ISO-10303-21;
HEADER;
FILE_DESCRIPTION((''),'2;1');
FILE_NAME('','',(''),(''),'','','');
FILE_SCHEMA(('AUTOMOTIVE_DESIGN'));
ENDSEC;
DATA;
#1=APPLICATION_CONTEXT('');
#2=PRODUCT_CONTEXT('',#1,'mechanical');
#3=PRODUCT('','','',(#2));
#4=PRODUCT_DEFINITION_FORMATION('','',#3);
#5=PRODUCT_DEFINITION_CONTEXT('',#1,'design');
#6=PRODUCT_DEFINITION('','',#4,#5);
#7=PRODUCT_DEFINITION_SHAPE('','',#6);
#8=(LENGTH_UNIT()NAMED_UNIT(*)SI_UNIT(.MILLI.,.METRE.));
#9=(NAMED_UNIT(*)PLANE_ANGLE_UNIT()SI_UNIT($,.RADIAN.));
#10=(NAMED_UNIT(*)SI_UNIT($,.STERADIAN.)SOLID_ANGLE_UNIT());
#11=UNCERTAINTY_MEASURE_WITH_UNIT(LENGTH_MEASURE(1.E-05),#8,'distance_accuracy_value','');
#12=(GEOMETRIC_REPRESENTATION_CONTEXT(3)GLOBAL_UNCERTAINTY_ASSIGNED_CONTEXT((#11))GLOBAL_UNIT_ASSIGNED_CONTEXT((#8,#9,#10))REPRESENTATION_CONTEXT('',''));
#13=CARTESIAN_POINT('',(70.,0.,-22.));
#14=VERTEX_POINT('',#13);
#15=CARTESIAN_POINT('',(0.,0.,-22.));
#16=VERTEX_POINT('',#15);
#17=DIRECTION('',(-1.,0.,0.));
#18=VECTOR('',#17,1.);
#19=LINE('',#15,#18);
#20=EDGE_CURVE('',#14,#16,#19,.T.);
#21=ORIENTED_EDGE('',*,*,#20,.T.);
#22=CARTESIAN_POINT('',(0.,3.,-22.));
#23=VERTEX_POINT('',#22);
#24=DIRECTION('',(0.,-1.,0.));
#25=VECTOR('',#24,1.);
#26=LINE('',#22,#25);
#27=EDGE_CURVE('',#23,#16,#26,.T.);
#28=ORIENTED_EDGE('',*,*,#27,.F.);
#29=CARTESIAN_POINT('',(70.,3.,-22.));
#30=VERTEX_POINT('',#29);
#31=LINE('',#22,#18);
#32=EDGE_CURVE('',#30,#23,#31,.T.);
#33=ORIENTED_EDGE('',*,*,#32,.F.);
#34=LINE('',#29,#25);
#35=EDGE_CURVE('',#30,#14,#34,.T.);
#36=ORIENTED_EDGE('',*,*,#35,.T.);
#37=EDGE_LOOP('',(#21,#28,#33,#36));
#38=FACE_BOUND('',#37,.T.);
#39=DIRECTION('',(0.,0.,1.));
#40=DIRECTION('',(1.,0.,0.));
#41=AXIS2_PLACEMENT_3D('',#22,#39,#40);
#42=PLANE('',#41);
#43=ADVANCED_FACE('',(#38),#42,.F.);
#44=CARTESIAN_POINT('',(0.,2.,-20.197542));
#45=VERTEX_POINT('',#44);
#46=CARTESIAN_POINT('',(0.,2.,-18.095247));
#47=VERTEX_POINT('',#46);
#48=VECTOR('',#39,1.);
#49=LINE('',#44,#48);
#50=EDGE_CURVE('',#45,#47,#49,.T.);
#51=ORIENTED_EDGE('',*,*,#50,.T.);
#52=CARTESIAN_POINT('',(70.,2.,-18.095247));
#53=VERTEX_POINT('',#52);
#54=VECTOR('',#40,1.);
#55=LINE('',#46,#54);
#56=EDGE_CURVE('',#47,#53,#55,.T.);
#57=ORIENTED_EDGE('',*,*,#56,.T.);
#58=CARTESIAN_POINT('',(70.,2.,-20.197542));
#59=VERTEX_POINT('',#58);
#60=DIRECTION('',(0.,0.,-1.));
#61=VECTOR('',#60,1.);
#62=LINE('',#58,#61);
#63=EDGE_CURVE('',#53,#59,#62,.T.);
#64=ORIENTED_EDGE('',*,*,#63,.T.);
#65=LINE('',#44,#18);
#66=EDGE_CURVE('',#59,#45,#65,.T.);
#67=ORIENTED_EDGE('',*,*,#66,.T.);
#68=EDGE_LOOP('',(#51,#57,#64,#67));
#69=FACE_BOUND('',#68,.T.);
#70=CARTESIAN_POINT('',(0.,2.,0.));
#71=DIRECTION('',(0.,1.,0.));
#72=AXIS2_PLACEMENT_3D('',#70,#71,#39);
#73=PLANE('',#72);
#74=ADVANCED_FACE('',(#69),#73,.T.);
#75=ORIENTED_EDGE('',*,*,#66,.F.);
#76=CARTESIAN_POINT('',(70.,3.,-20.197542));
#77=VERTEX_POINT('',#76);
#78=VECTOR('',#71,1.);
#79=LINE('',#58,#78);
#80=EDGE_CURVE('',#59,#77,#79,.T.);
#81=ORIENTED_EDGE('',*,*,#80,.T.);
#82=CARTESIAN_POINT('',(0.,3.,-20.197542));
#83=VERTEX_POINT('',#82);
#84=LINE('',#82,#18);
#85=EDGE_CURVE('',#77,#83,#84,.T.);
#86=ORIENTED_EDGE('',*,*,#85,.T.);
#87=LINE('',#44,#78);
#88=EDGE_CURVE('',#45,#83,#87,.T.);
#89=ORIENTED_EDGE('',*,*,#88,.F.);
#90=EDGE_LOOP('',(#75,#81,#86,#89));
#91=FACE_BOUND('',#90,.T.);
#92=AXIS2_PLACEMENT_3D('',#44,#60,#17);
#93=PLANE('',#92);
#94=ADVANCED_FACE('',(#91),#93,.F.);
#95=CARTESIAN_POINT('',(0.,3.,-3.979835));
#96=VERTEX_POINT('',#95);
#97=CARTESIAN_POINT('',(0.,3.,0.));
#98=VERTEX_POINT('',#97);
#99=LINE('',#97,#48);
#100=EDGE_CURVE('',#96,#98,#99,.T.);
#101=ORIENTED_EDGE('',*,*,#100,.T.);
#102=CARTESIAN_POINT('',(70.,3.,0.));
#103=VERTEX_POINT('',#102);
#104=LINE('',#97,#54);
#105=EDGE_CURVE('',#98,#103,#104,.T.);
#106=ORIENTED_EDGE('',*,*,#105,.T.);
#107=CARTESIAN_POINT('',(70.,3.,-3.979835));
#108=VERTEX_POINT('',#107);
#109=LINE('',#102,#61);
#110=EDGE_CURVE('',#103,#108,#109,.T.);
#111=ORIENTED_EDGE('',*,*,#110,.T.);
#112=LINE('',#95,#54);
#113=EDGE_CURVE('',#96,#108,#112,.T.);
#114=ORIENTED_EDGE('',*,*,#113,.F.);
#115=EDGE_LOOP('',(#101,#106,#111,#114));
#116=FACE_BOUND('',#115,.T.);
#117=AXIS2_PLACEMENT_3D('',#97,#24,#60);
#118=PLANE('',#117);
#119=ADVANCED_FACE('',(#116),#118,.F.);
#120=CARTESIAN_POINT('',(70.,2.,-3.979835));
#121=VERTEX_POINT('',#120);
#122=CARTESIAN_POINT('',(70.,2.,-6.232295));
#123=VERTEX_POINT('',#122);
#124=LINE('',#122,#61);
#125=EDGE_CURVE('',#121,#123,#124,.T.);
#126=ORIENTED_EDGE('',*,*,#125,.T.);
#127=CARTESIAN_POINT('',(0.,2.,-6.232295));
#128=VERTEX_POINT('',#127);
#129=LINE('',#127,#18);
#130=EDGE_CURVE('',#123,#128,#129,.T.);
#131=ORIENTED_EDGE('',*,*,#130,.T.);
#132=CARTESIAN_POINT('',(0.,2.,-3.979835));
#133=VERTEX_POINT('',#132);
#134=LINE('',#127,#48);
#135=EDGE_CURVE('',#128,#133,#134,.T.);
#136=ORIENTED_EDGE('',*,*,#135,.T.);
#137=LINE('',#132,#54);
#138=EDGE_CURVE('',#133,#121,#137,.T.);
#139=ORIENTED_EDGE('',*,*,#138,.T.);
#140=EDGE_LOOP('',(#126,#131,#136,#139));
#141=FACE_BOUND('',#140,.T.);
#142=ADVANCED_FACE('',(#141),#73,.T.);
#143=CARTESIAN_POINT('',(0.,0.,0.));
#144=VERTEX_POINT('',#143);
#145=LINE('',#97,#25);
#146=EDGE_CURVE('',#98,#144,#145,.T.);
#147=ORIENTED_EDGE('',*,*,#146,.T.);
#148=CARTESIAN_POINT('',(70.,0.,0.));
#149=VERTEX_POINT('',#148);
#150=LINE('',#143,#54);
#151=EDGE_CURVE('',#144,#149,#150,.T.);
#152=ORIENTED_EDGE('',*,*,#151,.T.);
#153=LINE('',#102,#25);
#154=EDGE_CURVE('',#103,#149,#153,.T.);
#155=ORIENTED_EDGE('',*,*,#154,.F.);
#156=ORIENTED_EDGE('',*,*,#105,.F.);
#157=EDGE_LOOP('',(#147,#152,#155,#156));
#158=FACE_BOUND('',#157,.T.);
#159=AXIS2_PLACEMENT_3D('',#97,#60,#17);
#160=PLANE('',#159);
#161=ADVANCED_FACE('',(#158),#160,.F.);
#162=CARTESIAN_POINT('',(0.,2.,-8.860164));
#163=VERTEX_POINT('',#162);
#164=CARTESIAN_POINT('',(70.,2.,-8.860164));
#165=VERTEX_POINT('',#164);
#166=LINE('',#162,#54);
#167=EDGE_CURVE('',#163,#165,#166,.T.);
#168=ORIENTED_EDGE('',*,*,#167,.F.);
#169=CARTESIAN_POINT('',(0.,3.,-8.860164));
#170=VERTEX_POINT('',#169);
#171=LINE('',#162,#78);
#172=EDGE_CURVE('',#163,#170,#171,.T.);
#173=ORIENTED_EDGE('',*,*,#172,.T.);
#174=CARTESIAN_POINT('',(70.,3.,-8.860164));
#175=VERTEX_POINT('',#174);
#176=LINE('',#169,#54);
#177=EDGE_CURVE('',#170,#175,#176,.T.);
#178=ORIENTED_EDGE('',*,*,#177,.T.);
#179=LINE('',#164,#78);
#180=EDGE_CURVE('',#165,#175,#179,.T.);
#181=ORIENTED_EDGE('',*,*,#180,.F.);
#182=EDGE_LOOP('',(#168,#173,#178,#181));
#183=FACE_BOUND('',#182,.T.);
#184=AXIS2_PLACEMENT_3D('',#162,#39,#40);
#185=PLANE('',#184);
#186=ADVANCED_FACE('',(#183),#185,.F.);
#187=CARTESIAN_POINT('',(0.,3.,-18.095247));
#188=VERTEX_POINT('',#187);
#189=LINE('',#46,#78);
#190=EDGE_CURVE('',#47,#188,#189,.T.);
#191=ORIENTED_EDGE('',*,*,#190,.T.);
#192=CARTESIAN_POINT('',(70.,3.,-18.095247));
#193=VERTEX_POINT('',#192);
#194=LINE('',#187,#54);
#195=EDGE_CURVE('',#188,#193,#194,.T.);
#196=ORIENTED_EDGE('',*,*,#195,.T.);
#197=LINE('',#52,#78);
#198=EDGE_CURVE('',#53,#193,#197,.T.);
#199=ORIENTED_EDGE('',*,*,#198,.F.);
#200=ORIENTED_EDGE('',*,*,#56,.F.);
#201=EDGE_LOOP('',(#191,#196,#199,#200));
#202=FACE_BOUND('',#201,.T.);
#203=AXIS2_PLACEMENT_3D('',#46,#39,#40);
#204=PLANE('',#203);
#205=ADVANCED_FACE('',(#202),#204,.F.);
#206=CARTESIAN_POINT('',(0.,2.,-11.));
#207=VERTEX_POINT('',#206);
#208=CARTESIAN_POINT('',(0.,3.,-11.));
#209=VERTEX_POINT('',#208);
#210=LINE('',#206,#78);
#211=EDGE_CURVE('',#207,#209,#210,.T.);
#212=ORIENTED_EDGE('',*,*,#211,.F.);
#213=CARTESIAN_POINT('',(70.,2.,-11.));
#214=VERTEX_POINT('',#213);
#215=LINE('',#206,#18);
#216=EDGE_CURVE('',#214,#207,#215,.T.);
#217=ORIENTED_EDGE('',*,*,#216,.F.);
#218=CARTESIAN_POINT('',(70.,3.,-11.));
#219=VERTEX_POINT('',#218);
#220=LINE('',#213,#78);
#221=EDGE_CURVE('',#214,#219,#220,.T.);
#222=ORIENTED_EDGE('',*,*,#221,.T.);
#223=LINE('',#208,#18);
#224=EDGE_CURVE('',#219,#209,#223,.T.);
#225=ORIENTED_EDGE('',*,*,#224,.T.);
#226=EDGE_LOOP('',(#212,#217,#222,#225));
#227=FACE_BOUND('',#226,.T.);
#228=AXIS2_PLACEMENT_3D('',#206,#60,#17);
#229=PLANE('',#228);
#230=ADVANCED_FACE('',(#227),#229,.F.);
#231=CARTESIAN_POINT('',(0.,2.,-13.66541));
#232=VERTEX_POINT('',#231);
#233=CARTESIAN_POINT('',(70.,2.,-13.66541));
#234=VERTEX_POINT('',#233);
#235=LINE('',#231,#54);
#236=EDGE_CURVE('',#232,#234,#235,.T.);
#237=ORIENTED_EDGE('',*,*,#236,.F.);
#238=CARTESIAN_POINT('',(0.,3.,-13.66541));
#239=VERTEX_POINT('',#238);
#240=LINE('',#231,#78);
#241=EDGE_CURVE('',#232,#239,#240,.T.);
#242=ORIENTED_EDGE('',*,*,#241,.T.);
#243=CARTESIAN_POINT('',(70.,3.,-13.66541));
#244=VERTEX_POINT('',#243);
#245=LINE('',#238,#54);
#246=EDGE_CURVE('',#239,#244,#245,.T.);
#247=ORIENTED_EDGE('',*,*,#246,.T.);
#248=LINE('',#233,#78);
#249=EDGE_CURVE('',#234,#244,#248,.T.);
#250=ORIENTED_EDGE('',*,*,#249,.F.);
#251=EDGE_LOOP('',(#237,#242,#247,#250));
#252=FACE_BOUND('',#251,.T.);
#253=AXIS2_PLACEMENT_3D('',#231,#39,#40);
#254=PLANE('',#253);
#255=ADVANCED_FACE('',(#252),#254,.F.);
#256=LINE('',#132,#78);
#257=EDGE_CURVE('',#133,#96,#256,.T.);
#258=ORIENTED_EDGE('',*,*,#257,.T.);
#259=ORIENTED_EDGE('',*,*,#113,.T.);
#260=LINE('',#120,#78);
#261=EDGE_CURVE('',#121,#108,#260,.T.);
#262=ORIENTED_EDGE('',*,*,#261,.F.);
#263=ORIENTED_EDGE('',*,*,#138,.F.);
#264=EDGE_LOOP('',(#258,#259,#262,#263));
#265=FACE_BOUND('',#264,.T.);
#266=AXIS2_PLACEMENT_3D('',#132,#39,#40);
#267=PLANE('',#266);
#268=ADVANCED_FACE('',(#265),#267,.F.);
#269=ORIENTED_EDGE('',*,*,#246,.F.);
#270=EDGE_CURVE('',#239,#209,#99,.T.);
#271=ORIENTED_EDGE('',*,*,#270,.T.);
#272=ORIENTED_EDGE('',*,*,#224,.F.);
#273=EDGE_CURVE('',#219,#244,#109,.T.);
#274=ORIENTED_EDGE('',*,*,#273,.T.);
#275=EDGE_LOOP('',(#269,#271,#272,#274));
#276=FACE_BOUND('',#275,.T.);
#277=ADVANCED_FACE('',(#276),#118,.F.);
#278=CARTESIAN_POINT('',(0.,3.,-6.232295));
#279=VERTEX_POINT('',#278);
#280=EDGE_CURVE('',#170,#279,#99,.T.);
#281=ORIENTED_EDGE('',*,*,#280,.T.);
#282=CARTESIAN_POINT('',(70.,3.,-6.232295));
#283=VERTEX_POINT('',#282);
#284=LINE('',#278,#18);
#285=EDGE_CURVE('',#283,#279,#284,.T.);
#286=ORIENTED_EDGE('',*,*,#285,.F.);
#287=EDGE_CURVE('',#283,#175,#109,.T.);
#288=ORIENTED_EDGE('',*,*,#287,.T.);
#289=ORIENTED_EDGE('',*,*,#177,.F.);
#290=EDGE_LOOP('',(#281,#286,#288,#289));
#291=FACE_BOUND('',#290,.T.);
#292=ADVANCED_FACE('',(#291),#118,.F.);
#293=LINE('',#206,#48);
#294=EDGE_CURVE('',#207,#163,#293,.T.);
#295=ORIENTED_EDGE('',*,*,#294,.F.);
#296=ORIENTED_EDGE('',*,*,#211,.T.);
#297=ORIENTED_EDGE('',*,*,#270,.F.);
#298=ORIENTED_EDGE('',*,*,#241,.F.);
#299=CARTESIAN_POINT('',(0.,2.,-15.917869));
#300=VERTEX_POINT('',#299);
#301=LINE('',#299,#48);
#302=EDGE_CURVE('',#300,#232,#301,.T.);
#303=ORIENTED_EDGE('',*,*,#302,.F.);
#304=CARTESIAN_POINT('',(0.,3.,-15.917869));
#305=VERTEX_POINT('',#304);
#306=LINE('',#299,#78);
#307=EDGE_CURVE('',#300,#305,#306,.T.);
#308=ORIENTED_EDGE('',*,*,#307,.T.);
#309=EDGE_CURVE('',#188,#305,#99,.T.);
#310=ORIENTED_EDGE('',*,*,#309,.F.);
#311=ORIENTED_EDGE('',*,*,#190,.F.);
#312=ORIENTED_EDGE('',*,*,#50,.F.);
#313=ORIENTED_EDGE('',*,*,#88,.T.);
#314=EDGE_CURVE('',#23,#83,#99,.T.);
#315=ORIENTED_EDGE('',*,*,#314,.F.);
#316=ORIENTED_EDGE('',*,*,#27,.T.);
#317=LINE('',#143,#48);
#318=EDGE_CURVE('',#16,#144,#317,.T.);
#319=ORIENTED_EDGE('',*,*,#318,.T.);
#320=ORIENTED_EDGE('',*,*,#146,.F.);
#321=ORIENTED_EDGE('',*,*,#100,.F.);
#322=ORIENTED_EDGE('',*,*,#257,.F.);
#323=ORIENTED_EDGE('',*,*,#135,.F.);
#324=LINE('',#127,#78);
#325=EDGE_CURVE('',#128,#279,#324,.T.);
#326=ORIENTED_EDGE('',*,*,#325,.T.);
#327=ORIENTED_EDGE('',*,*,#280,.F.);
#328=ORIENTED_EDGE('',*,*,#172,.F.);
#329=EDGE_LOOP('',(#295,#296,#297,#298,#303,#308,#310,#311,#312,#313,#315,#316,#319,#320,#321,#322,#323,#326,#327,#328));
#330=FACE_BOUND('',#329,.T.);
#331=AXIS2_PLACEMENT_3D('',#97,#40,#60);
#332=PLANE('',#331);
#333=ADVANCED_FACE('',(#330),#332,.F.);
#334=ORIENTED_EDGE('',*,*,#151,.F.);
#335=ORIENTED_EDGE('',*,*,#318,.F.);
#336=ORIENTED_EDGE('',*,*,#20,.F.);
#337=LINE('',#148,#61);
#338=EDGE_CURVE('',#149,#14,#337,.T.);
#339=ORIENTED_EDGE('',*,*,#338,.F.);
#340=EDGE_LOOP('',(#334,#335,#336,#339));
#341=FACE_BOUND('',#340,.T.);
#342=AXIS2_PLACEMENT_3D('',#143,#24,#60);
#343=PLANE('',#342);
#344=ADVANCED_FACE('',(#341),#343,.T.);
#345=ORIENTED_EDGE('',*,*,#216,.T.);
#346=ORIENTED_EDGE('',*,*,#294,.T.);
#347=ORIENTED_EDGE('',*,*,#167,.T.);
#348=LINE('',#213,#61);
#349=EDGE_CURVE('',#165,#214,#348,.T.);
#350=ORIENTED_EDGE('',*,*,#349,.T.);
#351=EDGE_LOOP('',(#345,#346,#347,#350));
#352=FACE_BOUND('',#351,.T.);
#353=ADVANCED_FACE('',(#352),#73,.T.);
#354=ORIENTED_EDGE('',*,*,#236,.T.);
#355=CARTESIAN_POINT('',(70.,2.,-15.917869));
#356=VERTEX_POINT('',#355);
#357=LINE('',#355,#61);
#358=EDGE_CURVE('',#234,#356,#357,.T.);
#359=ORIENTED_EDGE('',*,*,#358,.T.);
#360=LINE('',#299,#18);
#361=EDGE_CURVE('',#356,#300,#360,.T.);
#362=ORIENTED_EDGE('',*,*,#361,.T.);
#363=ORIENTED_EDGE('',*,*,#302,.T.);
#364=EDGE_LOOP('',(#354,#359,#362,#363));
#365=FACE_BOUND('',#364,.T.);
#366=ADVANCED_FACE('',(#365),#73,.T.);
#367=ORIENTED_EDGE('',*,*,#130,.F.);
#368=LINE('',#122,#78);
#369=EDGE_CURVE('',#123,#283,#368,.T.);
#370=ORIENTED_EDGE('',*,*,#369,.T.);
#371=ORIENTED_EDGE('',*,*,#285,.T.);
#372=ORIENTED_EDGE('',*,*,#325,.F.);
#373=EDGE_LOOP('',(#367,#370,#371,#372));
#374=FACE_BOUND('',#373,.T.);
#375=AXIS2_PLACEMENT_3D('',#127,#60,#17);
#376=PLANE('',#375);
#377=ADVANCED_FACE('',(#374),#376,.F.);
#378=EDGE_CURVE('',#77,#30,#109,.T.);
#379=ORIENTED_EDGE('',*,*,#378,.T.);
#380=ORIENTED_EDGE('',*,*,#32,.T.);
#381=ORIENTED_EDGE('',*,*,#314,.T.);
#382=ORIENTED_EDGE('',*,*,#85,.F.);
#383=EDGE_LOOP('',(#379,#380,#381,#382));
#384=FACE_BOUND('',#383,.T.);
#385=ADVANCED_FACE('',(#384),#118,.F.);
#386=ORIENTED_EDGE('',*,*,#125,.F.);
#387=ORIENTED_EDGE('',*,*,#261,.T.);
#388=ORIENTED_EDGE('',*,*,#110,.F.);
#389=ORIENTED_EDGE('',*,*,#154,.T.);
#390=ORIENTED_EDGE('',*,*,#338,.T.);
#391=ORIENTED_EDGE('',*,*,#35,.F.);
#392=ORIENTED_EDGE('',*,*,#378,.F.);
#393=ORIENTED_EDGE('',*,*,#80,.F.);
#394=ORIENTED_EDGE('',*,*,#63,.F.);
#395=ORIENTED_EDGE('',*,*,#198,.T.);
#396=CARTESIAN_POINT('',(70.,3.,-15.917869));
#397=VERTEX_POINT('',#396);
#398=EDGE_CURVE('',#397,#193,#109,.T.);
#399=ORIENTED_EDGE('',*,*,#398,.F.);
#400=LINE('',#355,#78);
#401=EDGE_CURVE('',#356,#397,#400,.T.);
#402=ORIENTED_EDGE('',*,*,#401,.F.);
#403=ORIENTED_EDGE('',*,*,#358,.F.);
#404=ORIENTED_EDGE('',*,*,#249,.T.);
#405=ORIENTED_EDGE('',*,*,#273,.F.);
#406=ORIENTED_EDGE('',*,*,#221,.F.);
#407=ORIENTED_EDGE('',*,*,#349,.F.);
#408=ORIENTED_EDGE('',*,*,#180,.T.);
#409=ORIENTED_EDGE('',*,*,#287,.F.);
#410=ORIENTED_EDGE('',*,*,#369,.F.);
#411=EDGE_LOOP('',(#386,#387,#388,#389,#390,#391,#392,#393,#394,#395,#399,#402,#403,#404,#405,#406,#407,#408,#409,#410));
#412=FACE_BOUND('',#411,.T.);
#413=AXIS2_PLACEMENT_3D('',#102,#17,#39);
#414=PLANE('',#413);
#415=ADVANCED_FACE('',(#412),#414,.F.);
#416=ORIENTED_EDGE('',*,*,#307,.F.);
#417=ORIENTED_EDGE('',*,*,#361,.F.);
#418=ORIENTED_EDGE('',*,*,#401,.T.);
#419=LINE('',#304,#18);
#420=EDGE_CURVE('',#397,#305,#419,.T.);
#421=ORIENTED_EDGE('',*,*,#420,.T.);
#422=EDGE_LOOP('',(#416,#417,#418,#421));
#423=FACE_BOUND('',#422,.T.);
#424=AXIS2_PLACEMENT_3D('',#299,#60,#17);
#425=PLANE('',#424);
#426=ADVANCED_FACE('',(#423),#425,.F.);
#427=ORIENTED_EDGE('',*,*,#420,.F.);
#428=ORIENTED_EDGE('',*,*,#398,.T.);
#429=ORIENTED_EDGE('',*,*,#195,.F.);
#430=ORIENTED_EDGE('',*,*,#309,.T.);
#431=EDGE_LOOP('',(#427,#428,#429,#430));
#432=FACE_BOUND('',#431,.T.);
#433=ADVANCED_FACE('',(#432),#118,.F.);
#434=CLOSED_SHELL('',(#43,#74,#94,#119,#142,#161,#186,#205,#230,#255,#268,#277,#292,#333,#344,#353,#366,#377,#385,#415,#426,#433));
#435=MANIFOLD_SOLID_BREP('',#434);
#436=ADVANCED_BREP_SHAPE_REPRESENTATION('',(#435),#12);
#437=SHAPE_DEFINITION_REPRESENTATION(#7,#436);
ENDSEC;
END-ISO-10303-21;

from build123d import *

# Parameters (mm, degrees)
SKETCH2_W           = 70
SKETCH2_H           = 22
BOSS_EXTRUDE1_DEPTH = 3
SKETCH3_W           = 70
SKETCH3_H           = 2.102295328
SKETCH3_H_2         = 2.252459279
SKETCH3_H_3         = 2.139836316
SKETCH3_H_4         = 2.25245928
CUT_EXTRUDE1_DEPTH  = 1


with BuildPart() as part:
    # Sketch2 → Boss-Extrude1 (new body)
    with BuildSketch(Plane(origin=(0, 0, 0), x_dir=(1, 0, 0), z_dir=(0, 1, 0))):
        with Locations((35, 11)):
            Rectangle(SKETCH2_W, SKETCH2_H)
    extrude(amount=BOSS_EXTRUDE1_DEPTH)

    # Sketch3 → Cut-Extrude1 (cut)
    with BuildSketch(Plane(origin=(0, 3, 0), x_dir=(1, 0, 0), z_dir=(0, 1, 0))):
        with Locations((35, 19.146394395)):
            Rectangle(SKETCH3_W, SKETCH3_H)
        with Locations((35, 14.791639788)):
            Rectangle(SKETCH3_W, SKETCH3_H_2)
        with Locations((35, 9.930081842)):
            Rectangle(SKETCH3_W, SKETCH3_H_3)
        with Locations((35, 5.106064885)):
            Rectangle(SKETCH3_W, SKETCH3_H_4)
    extrude(amount=-CUT_EXTRUDE1_DEPTH, mode=Mode.SUBTRACT)


solid = part.part
